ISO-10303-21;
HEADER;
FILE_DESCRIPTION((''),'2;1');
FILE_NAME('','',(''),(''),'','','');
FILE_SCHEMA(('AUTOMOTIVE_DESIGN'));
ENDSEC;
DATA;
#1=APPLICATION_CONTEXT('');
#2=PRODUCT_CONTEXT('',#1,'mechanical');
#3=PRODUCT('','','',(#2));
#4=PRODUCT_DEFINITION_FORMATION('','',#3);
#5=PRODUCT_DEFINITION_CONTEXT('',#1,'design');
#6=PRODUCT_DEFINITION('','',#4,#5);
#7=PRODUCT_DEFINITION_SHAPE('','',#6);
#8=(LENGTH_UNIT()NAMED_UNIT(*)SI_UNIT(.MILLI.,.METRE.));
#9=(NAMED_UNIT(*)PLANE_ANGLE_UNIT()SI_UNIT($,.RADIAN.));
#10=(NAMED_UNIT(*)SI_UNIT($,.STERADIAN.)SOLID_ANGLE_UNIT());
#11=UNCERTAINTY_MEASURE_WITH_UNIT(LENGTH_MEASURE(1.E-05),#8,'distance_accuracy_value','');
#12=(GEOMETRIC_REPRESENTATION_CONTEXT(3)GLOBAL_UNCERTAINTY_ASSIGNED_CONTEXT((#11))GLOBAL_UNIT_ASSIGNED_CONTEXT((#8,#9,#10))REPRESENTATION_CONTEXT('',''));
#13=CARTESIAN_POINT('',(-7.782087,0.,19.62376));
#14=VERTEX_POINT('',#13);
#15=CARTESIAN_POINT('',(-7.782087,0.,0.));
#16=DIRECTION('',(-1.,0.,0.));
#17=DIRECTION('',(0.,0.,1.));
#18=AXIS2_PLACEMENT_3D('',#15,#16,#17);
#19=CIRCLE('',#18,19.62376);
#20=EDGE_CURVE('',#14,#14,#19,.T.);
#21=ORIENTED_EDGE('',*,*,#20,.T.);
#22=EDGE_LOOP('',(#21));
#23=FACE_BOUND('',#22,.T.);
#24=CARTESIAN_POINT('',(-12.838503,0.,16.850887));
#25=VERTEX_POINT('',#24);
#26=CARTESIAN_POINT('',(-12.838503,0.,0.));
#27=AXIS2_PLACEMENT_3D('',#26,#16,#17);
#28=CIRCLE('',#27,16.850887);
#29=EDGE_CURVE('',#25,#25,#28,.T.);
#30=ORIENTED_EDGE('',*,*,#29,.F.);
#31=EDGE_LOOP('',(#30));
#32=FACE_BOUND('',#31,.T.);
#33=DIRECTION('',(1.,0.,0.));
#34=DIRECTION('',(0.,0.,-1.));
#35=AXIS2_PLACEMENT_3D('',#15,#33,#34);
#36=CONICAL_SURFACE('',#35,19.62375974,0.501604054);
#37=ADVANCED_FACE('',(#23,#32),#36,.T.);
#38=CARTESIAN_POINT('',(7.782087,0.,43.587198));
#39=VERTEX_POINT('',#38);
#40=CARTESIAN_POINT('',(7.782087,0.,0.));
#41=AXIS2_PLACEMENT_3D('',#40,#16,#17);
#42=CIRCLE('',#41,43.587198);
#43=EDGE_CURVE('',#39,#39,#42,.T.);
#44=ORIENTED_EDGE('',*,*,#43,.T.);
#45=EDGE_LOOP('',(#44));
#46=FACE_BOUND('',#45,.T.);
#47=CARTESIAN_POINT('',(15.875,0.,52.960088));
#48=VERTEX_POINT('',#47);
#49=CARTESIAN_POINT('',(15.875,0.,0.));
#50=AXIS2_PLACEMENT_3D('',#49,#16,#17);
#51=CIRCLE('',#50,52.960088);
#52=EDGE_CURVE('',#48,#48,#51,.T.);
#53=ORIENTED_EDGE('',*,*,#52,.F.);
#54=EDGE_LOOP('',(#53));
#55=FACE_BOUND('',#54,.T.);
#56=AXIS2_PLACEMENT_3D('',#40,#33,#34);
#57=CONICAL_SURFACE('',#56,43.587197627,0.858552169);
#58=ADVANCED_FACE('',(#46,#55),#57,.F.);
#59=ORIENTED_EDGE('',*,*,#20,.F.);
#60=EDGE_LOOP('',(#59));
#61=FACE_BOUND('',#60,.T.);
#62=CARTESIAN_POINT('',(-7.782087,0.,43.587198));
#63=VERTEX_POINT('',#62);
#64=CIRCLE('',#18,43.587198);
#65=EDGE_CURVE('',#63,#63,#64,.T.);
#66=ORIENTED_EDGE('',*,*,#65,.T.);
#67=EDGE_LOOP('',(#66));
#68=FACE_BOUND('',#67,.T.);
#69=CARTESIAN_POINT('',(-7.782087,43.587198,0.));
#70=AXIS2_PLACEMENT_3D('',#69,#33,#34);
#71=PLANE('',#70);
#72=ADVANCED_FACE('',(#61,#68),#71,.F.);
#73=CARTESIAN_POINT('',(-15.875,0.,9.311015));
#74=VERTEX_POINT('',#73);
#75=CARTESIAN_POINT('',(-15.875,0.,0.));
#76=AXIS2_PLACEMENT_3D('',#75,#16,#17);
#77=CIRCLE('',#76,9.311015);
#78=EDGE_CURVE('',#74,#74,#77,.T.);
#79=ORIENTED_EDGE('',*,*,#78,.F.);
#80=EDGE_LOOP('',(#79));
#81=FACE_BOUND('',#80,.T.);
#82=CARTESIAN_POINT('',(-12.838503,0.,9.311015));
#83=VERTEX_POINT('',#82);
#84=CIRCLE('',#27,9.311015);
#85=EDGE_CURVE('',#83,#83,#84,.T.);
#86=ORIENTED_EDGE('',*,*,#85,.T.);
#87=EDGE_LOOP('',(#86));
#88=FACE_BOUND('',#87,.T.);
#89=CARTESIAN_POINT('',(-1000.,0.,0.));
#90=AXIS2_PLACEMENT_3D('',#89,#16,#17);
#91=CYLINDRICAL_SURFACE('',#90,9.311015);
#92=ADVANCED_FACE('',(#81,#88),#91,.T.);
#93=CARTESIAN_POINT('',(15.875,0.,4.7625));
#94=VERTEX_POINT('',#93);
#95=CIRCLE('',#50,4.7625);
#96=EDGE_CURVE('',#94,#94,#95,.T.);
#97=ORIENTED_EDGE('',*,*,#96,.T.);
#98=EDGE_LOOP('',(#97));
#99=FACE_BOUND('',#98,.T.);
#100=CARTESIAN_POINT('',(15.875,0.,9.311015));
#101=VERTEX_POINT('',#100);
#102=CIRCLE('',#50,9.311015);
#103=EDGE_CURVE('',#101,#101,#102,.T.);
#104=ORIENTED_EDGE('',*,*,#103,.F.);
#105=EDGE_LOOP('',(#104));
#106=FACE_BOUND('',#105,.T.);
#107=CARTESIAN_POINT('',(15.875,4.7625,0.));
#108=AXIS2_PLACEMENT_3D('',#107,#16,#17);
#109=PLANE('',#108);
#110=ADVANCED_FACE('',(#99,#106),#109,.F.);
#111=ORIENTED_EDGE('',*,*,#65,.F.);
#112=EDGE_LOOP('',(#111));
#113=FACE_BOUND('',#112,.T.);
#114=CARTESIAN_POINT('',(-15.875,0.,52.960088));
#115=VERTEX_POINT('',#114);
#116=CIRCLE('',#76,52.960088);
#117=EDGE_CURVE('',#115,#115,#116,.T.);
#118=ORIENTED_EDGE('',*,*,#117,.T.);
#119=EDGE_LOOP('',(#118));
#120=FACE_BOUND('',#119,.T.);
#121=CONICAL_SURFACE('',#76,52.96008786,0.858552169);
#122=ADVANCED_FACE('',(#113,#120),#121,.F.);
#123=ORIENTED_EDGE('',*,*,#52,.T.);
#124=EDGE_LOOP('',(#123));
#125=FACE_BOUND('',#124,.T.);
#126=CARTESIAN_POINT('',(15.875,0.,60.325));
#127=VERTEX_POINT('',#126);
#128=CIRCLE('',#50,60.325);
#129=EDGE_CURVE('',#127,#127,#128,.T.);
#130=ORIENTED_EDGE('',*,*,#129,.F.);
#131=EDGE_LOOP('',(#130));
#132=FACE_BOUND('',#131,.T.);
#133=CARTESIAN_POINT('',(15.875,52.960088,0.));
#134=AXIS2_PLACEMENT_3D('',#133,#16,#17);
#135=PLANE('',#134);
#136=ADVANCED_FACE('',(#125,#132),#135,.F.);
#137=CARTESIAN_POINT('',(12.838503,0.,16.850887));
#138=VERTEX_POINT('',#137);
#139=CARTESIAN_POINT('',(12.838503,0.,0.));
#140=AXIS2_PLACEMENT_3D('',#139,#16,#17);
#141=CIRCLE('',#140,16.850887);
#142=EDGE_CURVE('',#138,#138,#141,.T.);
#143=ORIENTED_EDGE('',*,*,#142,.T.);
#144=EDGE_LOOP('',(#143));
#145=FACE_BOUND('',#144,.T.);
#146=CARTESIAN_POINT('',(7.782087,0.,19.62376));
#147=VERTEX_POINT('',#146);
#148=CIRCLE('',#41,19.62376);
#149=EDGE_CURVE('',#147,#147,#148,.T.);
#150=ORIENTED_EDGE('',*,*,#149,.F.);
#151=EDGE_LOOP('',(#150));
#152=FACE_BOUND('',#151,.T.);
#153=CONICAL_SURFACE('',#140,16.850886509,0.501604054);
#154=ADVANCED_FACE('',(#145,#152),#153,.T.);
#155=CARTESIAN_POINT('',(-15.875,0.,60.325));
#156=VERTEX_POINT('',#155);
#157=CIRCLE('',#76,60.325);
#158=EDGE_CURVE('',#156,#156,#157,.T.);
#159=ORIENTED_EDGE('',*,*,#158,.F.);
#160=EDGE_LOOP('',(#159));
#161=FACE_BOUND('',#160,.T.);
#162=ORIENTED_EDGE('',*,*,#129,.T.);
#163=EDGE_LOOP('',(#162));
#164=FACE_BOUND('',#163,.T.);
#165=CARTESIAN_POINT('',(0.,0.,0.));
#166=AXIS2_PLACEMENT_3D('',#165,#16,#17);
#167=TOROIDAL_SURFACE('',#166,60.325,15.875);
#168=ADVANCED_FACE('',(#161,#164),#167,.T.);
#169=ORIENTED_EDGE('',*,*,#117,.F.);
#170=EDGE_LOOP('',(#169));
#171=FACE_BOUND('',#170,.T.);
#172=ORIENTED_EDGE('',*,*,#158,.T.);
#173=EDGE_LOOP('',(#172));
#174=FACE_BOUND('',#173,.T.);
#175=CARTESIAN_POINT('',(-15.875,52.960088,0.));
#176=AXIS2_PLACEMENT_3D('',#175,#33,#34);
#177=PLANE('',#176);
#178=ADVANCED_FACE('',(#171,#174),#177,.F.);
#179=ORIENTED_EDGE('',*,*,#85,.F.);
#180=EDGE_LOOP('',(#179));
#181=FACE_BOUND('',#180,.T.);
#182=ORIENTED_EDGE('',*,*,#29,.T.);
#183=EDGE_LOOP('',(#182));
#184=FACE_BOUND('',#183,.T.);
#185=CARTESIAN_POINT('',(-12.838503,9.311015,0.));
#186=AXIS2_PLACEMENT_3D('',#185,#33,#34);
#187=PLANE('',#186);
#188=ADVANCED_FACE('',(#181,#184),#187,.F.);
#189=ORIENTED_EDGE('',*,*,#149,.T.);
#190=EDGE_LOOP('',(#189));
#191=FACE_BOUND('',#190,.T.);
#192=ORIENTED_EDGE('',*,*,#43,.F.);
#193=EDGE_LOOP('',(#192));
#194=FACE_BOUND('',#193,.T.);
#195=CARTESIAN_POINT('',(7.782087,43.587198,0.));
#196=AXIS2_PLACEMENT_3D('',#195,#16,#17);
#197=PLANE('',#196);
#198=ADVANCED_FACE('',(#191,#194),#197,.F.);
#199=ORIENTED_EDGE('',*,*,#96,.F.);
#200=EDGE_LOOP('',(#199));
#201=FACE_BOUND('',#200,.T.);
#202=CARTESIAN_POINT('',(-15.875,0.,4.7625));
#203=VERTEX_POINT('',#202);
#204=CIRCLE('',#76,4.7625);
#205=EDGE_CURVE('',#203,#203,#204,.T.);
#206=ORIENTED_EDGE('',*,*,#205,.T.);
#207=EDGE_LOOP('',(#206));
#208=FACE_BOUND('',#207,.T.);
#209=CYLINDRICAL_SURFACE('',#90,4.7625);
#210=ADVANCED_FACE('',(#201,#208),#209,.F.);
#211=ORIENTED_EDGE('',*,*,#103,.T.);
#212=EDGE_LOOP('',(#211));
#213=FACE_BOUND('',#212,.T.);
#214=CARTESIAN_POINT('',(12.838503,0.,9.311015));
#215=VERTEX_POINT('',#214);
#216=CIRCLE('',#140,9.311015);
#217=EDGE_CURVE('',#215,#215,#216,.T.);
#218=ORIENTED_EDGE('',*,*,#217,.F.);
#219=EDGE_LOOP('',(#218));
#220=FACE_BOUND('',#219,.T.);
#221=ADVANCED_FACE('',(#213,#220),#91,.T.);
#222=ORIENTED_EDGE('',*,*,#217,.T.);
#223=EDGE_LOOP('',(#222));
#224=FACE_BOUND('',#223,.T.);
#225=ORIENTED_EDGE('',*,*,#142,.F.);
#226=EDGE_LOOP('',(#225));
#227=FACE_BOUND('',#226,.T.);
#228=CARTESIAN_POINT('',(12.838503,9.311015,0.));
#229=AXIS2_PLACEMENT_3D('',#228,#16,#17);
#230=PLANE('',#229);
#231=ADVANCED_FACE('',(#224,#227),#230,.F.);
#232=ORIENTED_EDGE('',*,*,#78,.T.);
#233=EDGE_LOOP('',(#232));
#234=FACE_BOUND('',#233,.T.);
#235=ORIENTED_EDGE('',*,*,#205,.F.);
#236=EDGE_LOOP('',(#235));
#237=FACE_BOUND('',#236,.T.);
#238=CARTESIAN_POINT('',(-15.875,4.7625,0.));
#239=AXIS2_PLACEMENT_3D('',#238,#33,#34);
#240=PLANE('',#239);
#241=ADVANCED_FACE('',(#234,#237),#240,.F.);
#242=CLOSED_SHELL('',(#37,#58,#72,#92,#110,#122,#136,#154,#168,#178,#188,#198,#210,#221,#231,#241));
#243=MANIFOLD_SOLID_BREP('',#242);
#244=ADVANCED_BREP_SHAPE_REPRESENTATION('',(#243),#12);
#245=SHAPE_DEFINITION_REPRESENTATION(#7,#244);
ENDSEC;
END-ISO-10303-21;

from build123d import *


with BuildPart() as part:
    # Sketch1 → Revolve1 (revolve)
    with BuildSketch(Plane.XY, mode=Mode.PRIVATE) as revolve1_sk:
        with BuildLine():
            Line((-15.875, 4.7625), (15.875, 4.7625))
            Line((15.875, 4.7625), (15.875, 9.311015131))
            Line((15.875, 9.311015131), (12.83850319, 9.311015131))
            Line((12.83850319, 9.311015131), (12.83850319, 16.850886509))
            Line((12.83850319, 16.850886509), (7.782087298, 19.62375974))
            Line((7.782087298, 19.62375974), (7.782087298, 43.587197627))
            Line((7.782087298, 43.587197627), (15.875, 52.96008786))
            Line((15.875, 52.96008786), (15.875, 60.325))
            ThreePointArc((15.875, 60.325), (0, 76.2), (-15.875, 60.325))
            Line((-15.875, 60.325), (-15.875, 52.96008786))
            Line((-15.875, 52.96008786), (-7.782087298, 43.587197627))
            Line((-7.782087298, 43.587197627), (-7.782087298, 19.62375974))
            Line((-7.782087298, 19.62375974), (-12.83850319, 16.850886509))
            Line((-12.83850319, 16.850886509), (-12.83850319, 9.311015131))
            Line((-12.83850319, 9.311015131), (-15.875, 9.311015131))
            Line((-15.875, 9.311015131), (-15.875, 4.7625))
        make_face()
    revolve(revolve1_sk.sketch.rotate(Axis((-1000, 0, 0), (1, 0, 0)), 90), axis=Axis((-1000, 0, 0), (1, 0, 0)))


solid = part.part
